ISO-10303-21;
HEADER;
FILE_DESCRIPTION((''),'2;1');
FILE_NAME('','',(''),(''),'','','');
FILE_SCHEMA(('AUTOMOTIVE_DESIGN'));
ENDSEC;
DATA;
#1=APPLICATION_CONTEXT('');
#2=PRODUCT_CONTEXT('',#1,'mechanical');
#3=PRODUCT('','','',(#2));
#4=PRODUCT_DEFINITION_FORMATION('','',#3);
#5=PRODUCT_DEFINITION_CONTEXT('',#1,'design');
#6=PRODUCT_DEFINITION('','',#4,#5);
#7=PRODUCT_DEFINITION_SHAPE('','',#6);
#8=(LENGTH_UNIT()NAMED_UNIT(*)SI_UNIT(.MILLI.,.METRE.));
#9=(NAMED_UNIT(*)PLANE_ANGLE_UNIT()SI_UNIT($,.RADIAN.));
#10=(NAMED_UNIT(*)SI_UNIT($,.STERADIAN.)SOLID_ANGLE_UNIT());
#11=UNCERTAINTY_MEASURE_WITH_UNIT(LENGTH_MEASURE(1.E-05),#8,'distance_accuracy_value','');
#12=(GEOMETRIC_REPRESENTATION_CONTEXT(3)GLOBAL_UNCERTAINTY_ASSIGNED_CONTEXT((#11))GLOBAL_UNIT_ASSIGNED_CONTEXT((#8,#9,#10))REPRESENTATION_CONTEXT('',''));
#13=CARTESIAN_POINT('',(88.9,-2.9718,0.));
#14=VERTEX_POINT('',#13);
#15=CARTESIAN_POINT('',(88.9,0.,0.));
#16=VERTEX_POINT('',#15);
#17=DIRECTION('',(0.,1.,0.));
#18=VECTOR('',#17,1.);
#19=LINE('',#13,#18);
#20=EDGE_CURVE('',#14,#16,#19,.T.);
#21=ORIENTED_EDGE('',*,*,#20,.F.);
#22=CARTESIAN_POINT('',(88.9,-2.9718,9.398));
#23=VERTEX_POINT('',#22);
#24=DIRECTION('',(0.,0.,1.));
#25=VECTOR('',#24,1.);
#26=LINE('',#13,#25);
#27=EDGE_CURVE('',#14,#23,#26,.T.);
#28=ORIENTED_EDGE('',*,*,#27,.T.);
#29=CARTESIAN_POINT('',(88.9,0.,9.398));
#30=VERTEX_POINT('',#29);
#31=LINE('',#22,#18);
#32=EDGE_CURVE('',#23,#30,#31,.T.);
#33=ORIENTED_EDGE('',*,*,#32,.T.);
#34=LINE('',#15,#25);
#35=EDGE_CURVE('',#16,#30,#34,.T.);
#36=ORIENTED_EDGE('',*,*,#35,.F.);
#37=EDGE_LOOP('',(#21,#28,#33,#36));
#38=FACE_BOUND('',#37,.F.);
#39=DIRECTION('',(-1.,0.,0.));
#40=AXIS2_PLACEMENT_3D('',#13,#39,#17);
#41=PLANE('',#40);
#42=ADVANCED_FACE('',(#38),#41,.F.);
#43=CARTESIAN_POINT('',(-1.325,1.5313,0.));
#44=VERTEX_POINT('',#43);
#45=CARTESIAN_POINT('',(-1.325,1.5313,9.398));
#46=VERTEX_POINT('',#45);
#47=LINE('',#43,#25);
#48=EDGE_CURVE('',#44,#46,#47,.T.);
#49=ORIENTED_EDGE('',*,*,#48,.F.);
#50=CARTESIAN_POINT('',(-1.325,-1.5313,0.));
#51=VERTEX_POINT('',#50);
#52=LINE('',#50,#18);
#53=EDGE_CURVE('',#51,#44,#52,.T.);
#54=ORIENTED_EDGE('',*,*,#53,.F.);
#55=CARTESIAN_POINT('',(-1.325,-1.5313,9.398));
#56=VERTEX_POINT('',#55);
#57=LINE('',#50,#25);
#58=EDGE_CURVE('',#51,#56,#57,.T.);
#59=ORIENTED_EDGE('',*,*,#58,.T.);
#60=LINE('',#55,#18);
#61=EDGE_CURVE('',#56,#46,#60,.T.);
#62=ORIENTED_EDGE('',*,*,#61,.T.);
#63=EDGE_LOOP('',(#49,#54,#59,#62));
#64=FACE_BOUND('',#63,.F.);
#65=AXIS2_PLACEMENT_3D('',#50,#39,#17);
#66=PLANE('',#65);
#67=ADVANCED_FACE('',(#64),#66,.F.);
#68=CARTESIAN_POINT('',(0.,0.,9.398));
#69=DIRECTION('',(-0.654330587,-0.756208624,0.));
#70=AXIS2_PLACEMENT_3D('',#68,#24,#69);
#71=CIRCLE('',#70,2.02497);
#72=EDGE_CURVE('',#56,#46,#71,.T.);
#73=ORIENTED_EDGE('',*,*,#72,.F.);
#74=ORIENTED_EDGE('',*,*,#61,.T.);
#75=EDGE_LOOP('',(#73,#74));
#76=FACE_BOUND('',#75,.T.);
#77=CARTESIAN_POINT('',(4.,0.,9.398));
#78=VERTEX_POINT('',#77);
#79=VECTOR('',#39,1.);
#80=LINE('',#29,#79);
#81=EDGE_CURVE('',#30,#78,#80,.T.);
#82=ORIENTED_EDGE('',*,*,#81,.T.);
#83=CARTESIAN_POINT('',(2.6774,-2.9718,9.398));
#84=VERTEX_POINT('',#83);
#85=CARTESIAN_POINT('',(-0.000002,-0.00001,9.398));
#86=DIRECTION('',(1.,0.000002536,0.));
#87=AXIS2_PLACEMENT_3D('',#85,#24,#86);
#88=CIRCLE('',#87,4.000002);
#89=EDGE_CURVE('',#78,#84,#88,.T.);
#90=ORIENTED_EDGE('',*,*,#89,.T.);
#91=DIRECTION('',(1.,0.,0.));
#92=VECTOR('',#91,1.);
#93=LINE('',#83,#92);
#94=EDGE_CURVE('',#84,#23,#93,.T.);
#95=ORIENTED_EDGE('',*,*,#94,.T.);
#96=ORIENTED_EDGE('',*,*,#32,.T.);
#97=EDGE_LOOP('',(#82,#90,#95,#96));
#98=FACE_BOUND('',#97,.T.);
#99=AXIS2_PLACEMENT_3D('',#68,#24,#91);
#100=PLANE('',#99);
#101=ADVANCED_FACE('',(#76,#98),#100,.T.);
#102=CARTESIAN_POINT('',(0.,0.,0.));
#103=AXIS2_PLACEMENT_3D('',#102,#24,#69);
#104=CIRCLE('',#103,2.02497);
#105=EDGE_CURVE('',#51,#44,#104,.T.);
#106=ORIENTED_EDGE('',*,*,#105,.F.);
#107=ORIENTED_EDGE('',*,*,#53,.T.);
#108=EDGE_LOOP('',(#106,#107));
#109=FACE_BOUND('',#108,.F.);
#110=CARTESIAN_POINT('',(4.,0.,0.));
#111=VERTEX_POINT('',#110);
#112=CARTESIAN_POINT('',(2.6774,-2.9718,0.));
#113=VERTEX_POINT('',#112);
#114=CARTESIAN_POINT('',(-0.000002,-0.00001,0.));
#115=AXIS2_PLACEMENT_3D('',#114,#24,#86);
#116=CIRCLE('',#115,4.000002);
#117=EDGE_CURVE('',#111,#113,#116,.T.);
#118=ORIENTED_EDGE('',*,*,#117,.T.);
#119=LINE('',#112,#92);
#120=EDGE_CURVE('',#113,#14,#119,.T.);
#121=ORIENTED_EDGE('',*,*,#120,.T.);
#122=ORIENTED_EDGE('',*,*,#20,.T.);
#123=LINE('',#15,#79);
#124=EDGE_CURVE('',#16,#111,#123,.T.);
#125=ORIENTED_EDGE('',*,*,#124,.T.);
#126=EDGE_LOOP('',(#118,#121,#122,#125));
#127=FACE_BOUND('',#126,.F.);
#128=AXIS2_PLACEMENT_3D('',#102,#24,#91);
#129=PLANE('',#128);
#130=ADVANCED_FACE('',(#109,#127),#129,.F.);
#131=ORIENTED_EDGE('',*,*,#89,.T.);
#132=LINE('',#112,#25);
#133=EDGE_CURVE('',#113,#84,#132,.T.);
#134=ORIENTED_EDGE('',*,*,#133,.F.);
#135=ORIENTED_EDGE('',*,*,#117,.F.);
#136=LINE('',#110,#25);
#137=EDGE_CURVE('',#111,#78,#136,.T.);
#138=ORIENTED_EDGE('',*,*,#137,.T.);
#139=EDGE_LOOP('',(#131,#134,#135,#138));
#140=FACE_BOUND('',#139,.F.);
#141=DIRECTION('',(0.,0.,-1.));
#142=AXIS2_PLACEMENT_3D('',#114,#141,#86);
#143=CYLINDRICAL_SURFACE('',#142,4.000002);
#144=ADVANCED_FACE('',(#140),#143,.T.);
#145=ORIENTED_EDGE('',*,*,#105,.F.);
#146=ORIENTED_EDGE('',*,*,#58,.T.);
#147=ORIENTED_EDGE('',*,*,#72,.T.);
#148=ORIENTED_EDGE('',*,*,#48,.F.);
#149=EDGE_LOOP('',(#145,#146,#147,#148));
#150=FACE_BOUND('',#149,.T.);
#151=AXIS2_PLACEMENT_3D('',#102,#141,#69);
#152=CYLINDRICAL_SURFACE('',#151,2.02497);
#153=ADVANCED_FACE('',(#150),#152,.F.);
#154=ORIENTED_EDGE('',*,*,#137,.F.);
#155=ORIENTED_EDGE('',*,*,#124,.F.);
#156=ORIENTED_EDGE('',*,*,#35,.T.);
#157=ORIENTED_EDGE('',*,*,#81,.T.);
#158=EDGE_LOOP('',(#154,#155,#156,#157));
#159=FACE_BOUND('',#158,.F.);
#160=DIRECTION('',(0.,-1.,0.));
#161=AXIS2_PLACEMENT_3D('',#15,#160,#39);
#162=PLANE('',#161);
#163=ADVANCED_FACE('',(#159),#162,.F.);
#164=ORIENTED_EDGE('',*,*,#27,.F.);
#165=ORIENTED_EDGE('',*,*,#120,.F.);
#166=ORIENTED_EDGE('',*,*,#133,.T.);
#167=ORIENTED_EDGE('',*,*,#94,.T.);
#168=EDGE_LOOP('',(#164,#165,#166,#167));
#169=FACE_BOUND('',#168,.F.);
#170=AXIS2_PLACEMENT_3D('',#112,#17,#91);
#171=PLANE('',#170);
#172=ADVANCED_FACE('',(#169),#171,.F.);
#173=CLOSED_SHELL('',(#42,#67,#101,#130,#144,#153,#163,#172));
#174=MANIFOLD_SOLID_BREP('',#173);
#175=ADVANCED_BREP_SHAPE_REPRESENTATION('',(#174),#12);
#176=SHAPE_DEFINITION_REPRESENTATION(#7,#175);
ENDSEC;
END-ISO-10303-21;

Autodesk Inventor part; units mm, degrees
ref_plane "YZ Plane" through (0, 0, 0) normal (1, 0, 0) x (0, 1, 0)
ref_plane "XZ Plane" through (0, 0, 0) normal (0, 1, 0) x (-1, 0, 0)
ref_plane "XY Plane" through (0, 0, 0) normal (0, 0, 1) x (1, 0, 0)
sketch "Sketch1" plane through (0, 0, 0) normal (0, 0, 1) x (1, 0, 0)
  arc A0 (-1.325, -1.5313) -> (-1.325, 1.5313) centre (0, 0) ccw
  line L0 (-1.325, -1.5313) -> (-1.325, 1.5313)
  arc A1 (4, 0) -> (2.6774, -2.9718) centre (0, 0) ccw
  line L1 (2.6774, -2.9718) -> (88.9, -2.9718)
  line L2 (88.9, -2.9718) -> (88.9, 0)
  line L3 (88.9, 0) -> (4, 0)
  dimension "d0" = 4.05
  dimension "d2" = 8
  dimension "d3" = 3.35
  dimension "d5" = 88.9
  dimension "d7" = 2.9718
  dimension "d8" = 84.9
extrude "Extrusion1" add sketch "Sketch1" along normal blind 9.398
properties part number "Rotator2"
